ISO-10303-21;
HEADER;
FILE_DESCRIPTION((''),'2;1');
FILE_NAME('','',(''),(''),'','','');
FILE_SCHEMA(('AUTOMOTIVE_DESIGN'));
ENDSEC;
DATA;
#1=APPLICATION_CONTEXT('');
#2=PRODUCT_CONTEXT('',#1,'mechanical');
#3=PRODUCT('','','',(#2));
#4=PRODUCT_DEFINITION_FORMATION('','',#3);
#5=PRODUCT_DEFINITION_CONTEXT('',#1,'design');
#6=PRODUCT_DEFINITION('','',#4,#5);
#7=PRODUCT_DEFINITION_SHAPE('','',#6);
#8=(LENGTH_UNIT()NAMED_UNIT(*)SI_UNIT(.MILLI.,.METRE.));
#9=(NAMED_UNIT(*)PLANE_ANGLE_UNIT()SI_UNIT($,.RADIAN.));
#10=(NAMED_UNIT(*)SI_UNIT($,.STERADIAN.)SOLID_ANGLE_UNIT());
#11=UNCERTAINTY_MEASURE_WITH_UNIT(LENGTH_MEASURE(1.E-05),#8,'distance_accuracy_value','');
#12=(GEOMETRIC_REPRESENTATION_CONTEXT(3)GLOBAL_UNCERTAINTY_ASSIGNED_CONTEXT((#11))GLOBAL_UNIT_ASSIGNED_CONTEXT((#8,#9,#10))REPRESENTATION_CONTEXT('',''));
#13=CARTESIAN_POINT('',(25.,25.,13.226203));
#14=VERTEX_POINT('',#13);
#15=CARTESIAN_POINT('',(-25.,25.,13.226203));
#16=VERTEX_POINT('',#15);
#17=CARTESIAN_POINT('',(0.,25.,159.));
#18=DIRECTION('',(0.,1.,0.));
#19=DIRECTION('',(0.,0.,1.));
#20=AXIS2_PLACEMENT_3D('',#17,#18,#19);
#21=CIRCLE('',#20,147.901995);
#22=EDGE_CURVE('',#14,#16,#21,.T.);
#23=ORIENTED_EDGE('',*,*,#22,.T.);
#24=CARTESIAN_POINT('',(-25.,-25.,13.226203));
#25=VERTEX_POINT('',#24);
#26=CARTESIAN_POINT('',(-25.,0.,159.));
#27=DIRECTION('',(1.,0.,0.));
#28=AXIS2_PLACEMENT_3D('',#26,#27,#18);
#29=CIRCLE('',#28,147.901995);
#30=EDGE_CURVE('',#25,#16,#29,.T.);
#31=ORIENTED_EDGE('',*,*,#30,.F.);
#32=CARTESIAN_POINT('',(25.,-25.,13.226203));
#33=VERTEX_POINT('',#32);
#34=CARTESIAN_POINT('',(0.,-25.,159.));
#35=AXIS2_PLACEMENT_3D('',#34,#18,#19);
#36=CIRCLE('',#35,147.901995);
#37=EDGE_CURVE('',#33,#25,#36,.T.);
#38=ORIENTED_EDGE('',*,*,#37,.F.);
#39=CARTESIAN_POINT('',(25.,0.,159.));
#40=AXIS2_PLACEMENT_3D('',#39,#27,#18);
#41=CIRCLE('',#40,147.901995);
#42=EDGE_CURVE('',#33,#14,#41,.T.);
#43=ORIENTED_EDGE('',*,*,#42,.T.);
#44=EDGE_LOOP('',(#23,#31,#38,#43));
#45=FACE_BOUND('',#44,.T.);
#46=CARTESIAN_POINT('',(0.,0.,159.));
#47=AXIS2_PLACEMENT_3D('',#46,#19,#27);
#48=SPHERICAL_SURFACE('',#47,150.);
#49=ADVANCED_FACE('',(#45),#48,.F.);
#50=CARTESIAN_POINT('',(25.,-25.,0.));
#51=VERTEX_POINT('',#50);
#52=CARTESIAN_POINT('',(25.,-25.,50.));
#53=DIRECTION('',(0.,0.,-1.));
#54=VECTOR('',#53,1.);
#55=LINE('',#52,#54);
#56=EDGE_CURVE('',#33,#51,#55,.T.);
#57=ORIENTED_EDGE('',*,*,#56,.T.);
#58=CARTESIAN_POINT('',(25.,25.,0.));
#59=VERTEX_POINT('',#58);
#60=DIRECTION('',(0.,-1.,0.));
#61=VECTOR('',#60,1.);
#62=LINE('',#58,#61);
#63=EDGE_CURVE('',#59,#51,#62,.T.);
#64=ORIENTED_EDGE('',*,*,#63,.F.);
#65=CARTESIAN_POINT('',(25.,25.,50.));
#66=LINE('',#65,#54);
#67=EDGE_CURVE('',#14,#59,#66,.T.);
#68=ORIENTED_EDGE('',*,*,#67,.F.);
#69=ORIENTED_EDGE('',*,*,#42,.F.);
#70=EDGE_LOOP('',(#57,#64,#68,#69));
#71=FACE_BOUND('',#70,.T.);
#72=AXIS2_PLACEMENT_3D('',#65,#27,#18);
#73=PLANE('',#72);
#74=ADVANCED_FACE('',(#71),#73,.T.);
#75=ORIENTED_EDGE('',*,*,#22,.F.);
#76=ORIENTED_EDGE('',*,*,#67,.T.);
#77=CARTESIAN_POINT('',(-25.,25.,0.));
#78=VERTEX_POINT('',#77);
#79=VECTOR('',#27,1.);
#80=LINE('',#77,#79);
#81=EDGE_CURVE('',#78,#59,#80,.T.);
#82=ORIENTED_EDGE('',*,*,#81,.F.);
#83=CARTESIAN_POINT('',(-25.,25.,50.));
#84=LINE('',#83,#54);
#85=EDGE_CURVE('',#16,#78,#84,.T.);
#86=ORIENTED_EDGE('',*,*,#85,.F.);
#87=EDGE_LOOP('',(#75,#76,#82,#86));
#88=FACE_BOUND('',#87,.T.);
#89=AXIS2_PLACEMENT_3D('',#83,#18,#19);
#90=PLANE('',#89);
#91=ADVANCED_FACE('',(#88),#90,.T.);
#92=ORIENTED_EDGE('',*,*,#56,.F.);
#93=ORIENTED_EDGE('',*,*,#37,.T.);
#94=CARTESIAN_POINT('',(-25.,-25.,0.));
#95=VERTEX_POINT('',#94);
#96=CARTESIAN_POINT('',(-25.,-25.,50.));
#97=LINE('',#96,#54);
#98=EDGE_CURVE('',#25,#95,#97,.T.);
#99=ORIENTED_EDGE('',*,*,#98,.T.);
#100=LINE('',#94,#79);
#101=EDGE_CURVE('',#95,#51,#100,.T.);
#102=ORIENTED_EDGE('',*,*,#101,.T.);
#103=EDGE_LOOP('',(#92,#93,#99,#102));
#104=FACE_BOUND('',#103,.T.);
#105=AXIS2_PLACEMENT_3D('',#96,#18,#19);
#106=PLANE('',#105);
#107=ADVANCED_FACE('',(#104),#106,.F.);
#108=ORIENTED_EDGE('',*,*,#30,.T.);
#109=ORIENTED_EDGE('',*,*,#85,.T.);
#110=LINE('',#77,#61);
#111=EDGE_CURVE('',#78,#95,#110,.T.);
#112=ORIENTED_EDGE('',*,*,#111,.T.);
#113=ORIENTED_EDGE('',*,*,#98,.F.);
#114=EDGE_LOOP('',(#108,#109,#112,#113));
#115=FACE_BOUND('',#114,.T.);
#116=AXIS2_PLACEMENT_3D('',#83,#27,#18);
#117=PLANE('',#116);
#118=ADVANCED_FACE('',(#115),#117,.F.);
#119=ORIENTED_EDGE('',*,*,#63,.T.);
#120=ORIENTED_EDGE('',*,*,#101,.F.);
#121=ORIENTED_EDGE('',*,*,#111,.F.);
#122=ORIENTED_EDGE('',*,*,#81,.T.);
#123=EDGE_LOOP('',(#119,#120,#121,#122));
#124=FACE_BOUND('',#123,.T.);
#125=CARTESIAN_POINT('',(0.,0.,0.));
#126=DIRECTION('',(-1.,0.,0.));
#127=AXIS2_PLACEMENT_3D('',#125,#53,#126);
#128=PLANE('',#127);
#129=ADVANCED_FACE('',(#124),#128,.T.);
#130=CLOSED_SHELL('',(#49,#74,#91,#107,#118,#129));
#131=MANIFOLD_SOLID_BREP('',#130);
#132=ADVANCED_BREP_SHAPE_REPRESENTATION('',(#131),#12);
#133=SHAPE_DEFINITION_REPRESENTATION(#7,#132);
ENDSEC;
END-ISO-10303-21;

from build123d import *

# Parameters (mm, degrees)
SKETCH_1_W      = 50
SKETCH_1_H      = 50
EXTRUDE_1_DEPTH = 50


with BuildPart() as part:
    # 草图1 → 凸台-拉伸1 (new body)
    with BuildSketch(Plane.XY):
        Rectangle(SKETCH_1_W, SKETCH_1_H)
    extrude(amount=EXTRUDE_1_DEPTH)

    # 草图2 → 切除-旋转2 (revolve, cut)
    with BuildSketch(Plane(origin=(0, 0, 0), x_dir=(1, 0, 0), z_dir=(0, 1, 0))):
        with BuildLine():
            Line((146.226819272, -125.567720305), (0, -125.567720305))
            Line((0, -125.567720305), (0, -9))
            ThreePointArc((0, -9), (93.501759464, -41.70796712), (146.226819272, -125.567720305))
        make_face()
    revolve(axis=Axis((0, 0, 125.567720305), (0, 0, -1)), mode=Mode.SUBTRACT)


solid = part.part
